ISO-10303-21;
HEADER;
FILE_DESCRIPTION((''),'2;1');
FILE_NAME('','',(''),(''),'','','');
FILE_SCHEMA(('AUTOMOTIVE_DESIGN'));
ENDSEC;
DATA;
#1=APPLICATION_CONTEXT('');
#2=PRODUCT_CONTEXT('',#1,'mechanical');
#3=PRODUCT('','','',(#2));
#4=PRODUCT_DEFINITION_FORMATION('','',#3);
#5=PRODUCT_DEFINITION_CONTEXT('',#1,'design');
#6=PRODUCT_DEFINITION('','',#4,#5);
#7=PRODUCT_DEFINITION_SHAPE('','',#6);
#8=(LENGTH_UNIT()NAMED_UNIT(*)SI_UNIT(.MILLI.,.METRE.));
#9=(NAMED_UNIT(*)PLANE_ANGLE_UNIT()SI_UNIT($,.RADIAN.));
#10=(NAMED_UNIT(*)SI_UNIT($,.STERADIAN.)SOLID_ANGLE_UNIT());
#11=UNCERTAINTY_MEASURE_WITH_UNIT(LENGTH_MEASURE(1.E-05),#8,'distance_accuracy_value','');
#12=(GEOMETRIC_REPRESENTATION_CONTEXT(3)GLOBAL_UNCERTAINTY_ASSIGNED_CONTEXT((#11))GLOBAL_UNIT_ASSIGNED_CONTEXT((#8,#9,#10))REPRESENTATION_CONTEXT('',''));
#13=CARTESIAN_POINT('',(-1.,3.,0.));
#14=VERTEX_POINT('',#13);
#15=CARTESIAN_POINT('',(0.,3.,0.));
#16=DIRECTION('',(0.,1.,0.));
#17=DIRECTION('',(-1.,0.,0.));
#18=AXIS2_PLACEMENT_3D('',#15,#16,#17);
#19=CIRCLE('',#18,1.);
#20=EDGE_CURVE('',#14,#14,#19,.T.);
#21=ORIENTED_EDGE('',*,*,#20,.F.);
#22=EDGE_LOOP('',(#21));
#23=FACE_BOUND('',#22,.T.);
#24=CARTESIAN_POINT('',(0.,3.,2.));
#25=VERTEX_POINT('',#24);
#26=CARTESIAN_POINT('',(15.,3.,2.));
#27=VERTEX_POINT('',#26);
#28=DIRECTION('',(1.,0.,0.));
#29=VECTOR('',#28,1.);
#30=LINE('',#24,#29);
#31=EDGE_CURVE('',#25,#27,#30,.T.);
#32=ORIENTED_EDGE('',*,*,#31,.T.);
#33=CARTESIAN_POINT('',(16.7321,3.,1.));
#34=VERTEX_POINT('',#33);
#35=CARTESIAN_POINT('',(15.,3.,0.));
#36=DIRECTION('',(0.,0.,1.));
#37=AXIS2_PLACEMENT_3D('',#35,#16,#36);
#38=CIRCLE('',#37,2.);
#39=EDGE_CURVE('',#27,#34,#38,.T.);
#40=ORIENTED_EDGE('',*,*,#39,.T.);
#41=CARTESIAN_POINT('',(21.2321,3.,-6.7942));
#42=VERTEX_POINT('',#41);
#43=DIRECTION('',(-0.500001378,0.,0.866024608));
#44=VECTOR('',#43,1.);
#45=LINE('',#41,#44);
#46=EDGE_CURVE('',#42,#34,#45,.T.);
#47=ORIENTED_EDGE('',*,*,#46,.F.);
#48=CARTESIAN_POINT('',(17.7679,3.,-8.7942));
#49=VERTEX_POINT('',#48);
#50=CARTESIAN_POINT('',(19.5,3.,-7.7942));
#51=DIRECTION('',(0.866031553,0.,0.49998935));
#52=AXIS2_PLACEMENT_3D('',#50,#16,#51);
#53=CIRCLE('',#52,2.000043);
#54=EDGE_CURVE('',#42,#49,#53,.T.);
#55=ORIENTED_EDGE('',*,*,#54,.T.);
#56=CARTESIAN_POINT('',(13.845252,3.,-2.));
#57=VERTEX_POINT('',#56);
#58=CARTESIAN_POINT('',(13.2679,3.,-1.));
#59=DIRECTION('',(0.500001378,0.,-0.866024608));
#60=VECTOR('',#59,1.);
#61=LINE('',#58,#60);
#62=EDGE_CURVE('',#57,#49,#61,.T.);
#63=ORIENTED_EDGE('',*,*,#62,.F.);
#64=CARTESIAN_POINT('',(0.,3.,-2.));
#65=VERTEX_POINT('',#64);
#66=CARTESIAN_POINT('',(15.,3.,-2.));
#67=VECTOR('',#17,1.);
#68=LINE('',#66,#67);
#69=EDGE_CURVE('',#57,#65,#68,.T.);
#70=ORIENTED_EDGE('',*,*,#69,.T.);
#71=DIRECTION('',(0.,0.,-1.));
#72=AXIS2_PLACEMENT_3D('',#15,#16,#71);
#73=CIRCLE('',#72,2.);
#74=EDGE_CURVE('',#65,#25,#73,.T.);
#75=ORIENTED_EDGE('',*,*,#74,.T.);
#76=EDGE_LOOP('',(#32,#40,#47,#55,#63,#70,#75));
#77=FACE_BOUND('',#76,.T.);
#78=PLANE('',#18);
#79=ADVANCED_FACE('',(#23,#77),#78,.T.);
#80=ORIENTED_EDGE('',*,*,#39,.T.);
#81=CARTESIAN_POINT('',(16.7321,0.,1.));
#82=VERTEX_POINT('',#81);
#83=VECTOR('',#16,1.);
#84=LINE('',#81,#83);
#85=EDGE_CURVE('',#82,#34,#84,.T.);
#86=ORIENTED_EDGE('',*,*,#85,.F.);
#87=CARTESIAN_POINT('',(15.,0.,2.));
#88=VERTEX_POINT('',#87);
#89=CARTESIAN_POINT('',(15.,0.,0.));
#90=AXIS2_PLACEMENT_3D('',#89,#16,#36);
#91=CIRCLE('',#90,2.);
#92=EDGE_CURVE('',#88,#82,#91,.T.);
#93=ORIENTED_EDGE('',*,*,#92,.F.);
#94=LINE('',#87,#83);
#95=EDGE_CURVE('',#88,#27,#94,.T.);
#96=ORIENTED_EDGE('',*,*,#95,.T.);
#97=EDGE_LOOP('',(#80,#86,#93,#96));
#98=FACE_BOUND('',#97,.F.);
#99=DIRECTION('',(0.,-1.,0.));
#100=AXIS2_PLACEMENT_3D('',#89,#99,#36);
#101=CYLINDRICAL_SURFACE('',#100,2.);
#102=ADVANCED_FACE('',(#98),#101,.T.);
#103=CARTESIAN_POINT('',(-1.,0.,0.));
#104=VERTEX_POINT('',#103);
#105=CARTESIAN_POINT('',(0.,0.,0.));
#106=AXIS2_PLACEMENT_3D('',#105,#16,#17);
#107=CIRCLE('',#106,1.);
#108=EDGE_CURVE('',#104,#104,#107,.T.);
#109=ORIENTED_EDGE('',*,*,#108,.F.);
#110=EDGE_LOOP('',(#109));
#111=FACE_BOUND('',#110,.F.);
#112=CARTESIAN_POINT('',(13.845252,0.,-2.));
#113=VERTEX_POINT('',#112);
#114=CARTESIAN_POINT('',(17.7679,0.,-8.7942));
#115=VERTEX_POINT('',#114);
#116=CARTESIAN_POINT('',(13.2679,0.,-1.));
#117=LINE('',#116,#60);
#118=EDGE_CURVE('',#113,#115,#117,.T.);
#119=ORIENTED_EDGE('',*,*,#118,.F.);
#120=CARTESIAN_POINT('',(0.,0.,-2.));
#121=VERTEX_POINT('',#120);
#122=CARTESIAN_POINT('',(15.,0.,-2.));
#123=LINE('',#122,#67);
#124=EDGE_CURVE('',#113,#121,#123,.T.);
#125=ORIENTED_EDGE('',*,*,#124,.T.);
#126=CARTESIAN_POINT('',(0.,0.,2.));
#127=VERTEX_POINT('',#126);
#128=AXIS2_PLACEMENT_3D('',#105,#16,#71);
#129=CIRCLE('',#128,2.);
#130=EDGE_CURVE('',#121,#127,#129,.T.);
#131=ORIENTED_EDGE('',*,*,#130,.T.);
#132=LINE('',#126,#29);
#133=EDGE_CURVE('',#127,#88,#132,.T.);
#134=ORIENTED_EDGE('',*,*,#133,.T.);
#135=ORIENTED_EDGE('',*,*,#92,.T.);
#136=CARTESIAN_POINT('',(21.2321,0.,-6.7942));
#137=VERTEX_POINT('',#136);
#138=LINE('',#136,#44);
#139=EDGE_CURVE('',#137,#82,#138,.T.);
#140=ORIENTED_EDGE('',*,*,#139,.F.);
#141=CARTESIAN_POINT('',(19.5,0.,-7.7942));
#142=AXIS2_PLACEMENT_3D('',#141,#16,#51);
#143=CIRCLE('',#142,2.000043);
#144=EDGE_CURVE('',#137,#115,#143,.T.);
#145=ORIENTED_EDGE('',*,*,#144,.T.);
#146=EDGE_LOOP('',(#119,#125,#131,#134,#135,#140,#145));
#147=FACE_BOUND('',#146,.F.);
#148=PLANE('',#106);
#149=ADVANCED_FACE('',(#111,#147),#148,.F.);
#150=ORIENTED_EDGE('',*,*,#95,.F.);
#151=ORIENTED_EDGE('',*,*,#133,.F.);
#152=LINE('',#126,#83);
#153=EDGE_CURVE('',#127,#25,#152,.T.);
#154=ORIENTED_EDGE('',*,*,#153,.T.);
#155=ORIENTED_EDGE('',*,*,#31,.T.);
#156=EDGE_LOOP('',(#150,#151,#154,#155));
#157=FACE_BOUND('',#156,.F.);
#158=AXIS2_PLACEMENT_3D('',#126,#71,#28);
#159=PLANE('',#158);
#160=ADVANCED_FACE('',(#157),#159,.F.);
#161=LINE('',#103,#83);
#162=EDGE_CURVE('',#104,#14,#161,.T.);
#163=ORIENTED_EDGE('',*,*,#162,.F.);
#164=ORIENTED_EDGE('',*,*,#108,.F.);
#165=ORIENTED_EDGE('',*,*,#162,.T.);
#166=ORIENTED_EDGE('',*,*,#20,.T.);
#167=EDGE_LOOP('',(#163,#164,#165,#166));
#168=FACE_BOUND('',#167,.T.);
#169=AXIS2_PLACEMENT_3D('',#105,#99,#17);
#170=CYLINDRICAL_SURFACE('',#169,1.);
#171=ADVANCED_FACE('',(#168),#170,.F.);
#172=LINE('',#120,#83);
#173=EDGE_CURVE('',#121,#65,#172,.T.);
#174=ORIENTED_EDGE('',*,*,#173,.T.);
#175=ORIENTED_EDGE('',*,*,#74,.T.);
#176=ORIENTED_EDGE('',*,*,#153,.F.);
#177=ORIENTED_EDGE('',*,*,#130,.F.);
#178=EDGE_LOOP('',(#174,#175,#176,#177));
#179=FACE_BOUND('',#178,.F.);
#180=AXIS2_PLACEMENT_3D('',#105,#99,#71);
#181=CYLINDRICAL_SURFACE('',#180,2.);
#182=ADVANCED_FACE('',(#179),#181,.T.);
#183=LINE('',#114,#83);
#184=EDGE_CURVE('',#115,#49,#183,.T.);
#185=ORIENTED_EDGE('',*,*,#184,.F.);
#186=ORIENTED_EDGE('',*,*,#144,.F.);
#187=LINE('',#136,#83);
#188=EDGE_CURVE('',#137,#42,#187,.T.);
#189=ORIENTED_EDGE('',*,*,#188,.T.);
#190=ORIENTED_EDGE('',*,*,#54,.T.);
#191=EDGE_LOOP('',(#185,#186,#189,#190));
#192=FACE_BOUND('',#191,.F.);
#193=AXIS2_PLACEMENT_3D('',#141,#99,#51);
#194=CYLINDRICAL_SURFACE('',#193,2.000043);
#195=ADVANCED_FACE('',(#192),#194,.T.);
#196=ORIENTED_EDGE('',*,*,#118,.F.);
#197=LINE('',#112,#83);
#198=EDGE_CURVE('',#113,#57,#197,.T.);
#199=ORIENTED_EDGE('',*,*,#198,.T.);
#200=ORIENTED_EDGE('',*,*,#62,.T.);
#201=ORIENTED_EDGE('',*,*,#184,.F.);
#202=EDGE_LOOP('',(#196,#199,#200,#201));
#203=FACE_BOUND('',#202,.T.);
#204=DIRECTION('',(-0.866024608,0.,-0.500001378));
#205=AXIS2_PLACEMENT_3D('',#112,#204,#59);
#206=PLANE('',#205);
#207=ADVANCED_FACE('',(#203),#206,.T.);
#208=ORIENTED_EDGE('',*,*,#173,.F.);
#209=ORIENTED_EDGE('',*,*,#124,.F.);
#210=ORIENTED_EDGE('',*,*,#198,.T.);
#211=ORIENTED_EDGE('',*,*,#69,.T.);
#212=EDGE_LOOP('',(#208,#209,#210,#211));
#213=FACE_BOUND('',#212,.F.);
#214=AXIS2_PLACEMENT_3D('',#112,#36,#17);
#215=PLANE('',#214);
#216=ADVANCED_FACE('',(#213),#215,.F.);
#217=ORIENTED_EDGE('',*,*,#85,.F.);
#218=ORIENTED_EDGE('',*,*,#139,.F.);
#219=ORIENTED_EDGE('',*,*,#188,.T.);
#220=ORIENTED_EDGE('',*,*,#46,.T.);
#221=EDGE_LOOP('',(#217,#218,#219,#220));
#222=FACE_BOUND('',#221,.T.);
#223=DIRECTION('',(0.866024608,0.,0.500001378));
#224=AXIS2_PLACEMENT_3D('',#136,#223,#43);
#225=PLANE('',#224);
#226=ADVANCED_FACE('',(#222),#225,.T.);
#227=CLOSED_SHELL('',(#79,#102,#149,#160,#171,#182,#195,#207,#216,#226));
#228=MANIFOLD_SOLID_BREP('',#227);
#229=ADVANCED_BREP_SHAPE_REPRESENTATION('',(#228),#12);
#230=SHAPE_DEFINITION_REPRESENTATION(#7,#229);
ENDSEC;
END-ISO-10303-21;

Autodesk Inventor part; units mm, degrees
ref_plane "YZ Plane" through (0, 0, 0) normal (1, 0, 0) x (0, 1, 0)
ref_plane "XZ Plane" through (0, 0, 0) normal (0, 1, 0) x (-1, 0, 0)
ref_plane "XY Plane" through (0, 0, 0) normal (0, 0, 1) x (1, 0, 0)
sketch "草图1" plane through (0, 0, 0) normal (0, 1, 0) x (-1, 0, 0)
  line L0 (0, 0) -> (-15, 0) construction
  line L1 (0, 2) -> (-15, 2)
  line L2 (-15, -2) -> (0, -2)
  arc A0 (0, -2) -> (0, 2) centre (0, 0) ccw
  arc A1 (-15, 2) -> (-15, -2) centre (-15, 0) ccw
  line L3 (-15, 0) -> (-19.5, -7.7942) construction
  line L4 (-13.2679, -1) -> (-17.7679, -8.7942)
  line L5 (-21.2321, -6.7942) -> (-16.7321, 1)
  arc A2 (-13.2679, -1) -> (-16.7321, 1) centre (-15, 0) ccw
  arc A3 (-21.2321, -6.7942) -> (-17.7679, -8.7942) centre (-19.5, -7.7942) ccw
  line L6 (-15, 0) -> (-6, 0) construction
  circle A4 centre (0, 0) radius 1
  point P0 (-7.5, 0)
  point P1 (-17.25, -3.8971)
  point P2 (-16.7321, 1)
  point P3 (-13.8453, -2)
  dimension "d0" = 15
  dimension "d1" = 2
  dimension "d2" = 9
  dimension "d3" = 120
  dimension "d4" = 2
extrude "拉伸1" add sketch "草图1" along normal blind 3
properties part number "夹爪01"
